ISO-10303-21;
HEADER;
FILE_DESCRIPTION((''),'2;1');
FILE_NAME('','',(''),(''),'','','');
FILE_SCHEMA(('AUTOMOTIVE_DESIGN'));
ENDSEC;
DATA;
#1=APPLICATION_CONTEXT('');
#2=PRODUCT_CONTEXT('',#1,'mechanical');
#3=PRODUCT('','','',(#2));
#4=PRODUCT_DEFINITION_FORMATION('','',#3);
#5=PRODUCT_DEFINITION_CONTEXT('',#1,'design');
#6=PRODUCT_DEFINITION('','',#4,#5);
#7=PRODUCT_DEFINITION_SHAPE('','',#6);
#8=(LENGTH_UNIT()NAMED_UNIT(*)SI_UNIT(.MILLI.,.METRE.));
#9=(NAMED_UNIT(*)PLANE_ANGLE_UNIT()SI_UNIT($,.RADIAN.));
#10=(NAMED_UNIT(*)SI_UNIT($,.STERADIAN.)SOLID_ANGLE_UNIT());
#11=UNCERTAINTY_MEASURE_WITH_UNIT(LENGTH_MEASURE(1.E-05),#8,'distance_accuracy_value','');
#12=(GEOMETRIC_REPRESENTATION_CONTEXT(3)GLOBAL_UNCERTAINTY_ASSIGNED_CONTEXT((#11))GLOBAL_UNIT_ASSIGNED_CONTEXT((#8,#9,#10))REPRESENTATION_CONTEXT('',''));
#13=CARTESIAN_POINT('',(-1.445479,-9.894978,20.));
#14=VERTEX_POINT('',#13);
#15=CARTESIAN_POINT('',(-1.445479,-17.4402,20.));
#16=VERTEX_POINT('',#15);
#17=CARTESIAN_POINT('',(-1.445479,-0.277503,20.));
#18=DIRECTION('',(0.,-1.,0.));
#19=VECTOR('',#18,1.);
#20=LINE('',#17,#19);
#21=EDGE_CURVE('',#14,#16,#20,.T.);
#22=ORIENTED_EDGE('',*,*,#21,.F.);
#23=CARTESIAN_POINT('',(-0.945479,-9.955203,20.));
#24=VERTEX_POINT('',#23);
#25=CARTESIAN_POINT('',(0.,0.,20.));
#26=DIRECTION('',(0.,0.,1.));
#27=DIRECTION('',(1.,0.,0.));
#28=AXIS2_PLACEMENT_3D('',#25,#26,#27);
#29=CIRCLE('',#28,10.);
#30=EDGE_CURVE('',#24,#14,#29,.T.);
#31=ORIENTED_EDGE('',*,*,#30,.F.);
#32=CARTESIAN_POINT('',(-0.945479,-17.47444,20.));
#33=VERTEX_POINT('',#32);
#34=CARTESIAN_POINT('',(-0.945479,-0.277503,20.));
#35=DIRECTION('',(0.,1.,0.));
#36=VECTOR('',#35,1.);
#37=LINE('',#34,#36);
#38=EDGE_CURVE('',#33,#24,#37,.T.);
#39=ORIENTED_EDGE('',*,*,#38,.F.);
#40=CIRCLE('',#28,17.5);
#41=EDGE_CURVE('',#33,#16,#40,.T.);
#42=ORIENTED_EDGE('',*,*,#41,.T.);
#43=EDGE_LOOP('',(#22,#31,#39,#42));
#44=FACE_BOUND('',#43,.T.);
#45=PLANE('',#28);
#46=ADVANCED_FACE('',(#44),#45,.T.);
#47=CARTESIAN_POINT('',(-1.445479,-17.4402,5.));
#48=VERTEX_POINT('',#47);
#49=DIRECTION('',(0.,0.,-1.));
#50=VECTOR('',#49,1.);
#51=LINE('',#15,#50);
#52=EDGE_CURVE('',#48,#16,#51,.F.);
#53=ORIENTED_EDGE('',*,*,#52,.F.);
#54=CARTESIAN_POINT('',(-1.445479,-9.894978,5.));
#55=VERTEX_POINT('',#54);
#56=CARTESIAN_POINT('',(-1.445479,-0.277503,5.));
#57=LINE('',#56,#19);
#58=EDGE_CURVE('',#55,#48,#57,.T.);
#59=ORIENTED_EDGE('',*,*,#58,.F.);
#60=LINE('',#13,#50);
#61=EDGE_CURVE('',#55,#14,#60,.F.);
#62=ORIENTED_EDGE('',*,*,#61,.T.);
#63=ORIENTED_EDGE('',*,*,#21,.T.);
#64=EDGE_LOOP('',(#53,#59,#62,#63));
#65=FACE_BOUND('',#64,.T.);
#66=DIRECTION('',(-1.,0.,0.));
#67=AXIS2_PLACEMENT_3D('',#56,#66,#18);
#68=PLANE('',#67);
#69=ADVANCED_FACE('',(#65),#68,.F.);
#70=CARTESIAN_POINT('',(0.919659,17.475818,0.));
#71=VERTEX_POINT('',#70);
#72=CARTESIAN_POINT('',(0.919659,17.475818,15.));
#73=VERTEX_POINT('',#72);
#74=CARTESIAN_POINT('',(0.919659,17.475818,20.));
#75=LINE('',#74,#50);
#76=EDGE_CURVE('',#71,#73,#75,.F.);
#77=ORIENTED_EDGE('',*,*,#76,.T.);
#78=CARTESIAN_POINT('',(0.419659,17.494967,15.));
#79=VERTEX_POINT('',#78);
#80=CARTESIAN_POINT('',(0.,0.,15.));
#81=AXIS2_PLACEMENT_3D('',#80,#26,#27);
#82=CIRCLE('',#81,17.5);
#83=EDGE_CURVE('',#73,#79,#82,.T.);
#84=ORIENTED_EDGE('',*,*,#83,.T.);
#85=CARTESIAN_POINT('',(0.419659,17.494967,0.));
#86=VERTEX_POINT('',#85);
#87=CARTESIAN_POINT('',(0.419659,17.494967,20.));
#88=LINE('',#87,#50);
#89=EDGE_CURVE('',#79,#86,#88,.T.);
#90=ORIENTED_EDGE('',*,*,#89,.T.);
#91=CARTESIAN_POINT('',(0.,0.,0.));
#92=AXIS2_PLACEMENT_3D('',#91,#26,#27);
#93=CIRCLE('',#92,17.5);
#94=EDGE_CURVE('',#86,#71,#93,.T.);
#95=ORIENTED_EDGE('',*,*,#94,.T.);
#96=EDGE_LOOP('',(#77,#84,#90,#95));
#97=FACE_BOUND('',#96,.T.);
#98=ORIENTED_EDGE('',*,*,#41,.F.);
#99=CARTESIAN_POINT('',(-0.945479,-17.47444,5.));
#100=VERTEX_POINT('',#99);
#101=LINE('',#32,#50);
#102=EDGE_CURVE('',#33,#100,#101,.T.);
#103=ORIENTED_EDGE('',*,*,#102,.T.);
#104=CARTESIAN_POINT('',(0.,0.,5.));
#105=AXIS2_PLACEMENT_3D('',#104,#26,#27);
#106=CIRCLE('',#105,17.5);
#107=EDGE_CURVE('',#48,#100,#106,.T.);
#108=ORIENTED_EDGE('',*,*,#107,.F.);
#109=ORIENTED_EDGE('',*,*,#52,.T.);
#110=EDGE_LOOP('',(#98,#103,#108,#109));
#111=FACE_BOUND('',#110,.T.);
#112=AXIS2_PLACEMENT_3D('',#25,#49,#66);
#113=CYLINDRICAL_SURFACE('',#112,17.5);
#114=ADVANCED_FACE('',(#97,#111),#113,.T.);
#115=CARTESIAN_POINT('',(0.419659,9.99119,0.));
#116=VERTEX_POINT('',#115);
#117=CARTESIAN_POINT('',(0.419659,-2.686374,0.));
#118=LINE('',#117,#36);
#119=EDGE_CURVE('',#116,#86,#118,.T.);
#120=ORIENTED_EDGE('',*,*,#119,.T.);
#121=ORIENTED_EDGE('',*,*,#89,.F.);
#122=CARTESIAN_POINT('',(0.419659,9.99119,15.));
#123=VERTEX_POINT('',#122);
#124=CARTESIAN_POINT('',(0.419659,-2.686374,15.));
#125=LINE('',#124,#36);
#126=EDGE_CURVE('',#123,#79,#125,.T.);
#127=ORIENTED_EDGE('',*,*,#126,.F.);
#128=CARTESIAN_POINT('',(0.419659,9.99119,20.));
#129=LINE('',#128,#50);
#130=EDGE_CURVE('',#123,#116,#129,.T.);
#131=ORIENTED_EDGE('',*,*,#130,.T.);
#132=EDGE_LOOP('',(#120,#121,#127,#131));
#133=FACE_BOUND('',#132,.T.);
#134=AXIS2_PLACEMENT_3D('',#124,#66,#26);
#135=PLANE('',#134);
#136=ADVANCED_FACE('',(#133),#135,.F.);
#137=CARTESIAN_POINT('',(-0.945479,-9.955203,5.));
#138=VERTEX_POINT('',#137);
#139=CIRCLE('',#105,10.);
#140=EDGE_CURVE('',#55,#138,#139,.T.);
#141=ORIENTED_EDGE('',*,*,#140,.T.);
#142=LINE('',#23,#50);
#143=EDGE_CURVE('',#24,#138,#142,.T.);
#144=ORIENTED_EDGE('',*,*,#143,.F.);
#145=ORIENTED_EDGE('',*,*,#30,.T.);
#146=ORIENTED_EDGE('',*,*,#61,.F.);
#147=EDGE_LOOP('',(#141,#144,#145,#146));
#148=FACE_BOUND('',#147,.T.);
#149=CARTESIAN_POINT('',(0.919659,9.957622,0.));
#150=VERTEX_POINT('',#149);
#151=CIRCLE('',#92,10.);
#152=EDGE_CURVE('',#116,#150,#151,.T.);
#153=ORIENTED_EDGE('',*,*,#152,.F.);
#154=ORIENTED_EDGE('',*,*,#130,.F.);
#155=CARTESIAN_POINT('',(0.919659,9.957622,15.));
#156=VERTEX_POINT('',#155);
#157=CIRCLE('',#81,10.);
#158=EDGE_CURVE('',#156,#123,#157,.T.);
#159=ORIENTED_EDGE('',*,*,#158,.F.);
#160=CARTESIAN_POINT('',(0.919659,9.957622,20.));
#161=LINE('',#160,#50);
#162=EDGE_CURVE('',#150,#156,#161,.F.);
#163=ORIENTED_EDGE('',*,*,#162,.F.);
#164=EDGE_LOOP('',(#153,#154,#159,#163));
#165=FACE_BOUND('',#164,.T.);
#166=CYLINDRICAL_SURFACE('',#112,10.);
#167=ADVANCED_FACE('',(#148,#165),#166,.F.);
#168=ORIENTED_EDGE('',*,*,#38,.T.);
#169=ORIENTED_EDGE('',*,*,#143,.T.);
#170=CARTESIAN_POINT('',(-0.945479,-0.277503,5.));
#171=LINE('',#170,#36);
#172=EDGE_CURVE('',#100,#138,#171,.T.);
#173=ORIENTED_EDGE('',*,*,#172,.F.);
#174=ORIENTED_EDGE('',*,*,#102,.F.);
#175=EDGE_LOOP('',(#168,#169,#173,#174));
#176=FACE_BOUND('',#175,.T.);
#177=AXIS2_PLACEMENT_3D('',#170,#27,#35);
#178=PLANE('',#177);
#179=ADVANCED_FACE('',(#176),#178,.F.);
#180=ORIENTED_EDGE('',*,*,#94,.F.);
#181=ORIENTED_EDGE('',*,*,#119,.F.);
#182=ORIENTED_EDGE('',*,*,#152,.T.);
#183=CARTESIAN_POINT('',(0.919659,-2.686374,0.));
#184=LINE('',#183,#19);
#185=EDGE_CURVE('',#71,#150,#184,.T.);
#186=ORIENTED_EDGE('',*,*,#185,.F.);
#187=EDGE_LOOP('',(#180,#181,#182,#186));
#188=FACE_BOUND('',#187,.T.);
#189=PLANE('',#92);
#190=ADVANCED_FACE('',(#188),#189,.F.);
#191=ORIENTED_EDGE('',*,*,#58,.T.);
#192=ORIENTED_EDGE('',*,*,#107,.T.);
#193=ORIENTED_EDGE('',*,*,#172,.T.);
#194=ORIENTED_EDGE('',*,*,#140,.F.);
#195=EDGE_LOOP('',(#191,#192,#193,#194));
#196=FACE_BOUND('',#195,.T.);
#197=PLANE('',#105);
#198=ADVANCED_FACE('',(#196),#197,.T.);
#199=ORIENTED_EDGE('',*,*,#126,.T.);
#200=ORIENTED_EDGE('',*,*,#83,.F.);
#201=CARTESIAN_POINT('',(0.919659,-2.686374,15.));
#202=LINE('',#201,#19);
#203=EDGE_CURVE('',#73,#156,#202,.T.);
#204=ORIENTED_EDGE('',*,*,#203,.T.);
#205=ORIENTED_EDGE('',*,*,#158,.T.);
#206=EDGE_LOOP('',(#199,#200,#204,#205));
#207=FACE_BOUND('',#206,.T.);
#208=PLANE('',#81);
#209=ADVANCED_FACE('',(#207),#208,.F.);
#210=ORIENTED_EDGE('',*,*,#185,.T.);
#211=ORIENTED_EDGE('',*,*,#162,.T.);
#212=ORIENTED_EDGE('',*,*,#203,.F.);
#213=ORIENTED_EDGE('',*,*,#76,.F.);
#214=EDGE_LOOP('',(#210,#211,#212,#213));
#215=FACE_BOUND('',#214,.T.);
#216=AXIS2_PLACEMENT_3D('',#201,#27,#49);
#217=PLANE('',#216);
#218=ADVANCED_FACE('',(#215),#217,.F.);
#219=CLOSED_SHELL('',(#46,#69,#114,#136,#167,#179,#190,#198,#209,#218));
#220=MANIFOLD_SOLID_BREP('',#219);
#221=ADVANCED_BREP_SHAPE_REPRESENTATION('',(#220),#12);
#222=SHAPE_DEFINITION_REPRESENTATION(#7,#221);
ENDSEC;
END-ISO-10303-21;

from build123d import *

# Parameters (mm, degrees)
SKETCH_1_R          = 17.5
SKETCH_1_R_2        = 10
EXTRUDE_1_DEPTH     = 20
SKETCH_2_W          = 0.5
SKETCH_2_H          = 19.301562603
CUT_EXTRUDE_1_DEPTH = 15
SKETCH_3_W          = 0.5
SKETCH_3_H          = 20.813345434
CUT_EXTRUDE_2_DEPTH = 15


with BuildPart() as part:
    # 草图1 → 凸台-拉伸1 (new body)
    with BuildSketch(Plane.XY):
        Circle(SKETCH_1_R)
        Circle(SKETCH_1_R_2, mode=Mode.SUBTRACT)
    extrude(amount=EXTRUDE_1_DEPTH)

    # 草图2 → 切除-拉伸1 (cut)
    with BuildSketch(Plane.XY.offset(20)):
        with Locations((-1.195478964, -9.928284345)):
            Rectangle(SKETCH_2_W, SKETCH_2_H)
    extrude(amount=-CUT_EXTRUDE_1_DEPTH, mode=Mode.SUBTRACT)

    # 草图3 → 切除-拉伸2 (cut)
    with BuildSketch(Plane(origin=(0, 0, 0), x_dir=(-1, 0, 0), z_dir=(0, 0, -1))):
        with Locations((-0.669659449, 7.720299062)):
            Rectangle(SKETCH_3_W, SKETCH_3_H)
    extrude(amount=-CUT_EXTRUDE_2_DEPTH, mode=Mode.SUBTRACT)


solid = part.part
